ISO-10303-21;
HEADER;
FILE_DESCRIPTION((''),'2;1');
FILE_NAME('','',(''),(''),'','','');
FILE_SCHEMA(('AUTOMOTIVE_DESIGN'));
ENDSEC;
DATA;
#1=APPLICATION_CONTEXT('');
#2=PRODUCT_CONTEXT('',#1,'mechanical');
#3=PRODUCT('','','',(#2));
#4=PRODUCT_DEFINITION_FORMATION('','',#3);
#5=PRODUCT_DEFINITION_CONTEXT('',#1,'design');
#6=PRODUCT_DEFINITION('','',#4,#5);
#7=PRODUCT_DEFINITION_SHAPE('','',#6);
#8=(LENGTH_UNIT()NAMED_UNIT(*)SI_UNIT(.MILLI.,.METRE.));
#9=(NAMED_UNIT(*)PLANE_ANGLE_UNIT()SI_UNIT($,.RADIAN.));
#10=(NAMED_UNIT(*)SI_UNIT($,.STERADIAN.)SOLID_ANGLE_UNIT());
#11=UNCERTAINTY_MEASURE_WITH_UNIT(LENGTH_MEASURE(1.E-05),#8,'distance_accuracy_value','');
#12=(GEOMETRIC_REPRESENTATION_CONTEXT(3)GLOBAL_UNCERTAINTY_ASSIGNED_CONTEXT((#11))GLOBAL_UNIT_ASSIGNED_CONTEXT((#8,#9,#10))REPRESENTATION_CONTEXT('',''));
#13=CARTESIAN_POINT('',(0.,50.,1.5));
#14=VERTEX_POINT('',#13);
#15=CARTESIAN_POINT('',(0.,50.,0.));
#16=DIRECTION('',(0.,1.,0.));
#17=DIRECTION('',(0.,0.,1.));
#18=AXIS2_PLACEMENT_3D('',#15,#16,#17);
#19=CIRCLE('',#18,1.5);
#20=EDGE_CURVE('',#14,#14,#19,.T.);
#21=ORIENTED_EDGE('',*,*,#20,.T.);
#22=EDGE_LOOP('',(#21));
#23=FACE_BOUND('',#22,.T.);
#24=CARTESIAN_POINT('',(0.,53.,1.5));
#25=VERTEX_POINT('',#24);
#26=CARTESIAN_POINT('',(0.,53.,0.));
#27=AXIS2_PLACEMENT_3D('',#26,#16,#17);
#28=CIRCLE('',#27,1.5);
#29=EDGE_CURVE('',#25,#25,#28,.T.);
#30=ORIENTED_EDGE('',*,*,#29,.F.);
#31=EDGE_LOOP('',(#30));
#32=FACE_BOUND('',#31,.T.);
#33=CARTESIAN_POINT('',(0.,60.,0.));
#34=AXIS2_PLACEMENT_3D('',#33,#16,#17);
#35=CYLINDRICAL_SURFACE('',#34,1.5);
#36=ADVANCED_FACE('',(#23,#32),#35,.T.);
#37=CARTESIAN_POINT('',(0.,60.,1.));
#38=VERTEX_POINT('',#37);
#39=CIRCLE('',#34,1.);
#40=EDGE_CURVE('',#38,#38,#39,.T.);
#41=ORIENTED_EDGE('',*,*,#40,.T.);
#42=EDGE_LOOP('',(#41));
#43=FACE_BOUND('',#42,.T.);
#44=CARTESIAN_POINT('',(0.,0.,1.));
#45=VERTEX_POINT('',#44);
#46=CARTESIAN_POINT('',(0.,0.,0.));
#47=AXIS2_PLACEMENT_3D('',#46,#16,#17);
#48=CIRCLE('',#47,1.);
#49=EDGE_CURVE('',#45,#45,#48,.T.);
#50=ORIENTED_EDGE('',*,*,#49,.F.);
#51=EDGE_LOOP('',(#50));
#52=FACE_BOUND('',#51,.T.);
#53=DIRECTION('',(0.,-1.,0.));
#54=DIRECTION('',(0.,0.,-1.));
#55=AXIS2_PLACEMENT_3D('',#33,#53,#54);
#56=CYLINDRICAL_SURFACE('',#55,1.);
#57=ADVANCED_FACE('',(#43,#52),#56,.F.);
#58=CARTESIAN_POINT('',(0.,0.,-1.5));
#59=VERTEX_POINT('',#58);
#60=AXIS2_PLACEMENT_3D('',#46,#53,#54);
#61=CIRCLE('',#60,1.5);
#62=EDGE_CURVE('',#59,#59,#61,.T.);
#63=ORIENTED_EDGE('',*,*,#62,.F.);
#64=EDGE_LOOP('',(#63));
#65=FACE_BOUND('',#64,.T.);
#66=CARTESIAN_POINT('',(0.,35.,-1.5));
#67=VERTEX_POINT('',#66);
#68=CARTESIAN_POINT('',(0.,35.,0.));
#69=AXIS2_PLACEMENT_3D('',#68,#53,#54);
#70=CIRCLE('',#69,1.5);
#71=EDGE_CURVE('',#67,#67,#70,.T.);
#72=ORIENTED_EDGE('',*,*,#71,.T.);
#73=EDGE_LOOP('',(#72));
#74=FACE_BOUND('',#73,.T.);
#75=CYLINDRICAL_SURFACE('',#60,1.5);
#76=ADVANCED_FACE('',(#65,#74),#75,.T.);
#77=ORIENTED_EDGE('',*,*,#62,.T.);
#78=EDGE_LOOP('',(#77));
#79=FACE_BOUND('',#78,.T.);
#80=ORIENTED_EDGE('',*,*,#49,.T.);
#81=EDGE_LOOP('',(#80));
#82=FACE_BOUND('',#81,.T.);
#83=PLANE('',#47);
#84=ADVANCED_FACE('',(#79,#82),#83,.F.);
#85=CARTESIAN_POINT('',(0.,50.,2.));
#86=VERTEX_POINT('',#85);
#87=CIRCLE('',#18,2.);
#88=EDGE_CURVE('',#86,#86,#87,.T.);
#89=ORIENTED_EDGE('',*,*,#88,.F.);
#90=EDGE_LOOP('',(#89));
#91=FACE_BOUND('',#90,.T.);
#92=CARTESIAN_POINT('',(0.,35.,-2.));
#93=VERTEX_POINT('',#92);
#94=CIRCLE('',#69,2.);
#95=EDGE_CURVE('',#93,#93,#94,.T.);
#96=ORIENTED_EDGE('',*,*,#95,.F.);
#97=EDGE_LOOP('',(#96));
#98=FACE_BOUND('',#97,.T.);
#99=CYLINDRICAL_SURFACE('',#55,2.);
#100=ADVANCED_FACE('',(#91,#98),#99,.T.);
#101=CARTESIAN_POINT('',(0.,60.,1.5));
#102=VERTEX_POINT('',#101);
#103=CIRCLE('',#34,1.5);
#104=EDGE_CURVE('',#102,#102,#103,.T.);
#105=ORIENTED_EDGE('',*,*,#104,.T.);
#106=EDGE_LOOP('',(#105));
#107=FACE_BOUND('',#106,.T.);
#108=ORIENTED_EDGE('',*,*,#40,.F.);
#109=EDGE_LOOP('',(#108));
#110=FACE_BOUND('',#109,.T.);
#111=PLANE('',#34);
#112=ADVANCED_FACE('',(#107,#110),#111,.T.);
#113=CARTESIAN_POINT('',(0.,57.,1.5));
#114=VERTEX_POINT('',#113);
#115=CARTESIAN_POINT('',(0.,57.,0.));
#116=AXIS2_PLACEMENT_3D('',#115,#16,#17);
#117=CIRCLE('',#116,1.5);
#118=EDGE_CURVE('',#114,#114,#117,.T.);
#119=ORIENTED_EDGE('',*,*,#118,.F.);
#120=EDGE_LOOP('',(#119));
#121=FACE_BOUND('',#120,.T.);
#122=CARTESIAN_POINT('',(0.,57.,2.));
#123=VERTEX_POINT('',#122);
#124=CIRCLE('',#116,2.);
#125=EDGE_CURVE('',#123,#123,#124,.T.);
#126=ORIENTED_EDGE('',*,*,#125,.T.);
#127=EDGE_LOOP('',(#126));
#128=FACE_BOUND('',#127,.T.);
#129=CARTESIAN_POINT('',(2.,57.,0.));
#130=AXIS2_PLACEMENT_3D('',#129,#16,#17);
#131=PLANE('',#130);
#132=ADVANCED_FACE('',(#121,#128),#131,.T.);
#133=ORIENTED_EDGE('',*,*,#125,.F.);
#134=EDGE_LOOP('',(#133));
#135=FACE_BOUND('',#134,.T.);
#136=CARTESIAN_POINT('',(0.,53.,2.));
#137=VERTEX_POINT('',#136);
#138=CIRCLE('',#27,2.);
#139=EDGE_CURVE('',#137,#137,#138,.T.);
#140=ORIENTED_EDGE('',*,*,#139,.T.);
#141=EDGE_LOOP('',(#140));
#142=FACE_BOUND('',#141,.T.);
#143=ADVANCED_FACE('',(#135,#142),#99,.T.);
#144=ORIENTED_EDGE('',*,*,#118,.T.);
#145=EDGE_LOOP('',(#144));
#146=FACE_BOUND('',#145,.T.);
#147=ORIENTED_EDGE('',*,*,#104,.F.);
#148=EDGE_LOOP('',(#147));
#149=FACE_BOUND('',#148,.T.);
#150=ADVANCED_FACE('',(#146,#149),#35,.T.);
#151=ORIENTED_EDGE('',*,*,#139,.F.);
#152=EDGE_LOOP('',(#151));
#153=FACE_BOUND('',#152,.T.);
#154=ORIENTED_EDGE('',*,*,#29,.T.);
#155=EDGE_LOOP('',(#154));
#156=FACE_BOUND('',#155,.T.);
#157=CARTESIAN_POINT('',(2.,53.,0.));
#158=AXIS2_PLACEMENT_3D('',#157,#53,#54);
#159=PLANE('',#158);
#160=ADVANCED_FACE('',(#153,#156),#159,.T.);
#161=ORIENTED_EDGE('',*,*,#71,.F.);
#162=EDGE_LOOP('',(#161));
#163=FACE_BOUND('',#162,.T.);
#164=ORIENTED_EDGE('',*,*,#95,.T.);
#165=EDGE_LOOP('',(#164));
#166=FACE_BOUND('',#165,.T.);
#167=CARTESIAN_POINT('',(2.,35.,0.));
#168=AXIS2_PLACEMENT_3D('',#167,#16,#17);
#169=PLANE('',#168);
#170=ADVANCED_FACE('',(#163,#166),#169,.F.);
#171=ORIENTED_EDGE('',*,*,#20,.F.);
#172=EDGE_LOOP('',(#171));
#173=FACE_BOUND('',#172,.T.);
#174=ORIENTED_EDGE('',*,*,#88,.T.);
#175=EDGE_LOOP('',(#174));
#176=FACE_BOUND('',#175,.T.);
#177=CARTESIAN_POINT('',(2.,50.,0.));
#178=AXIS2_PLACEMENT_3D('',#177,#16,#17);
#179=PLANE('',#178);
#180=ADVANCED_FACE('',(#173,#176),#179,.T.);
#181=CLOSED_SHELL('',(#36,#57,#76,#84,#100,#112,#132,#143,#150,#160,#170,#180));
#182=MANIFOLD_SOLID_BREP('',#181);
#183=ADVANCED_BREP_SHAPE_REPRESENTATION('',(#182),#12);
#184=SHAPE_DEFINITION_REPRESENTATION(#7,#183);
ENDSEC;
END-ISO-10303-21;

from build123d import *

# Parameters (mm, degrees)
SKETCH_1_R      = 2
SKETCH_1_R_2    = 1
EXTRUDE_1_DEPTH = 60
SKETCH_2_W      = 0.5
SKETCH_2_H      = 3
SKETCH_3_W      = 0.5
SKETCH_3_H      = 35


with BuildPart() as part:
    # Эскиз1 → Бобышка-Вытянуть1 (new body)
    with BuildSketch(Plane(origin=(0, 0, 0), x_dir=(1, 0, 0), z_dir=(0, 1, 0))):
        Circle(SKETCH_1_R)
        Circle(SKETCH_1_R_2, mode=Mode.SUBTRACT)
    extrude(amount=EXTRUDE_1_DEPTH)

    # Эскиз2 → Вырез-Повернуть1 (revolve, cut)
    with BuildSketch(Plane.XY):
        with Locations((1.75, 58.5)):
            Rectangle(SKETCH_2_W, SKETCH_2_H)
        with Locations((1.75, 51.5)):
            Rectangle(SKETCH_2_W, SKETCH_2_H)
    revolve(axis=Axis((0, 60, 0), (0, -1, 0)), mode=Mode.SUBTRACT)

    # Эскиз3 → Вырез-Повернуть2 (revolve, cut)
    with BuildSketch(Plane.XY):
        with Locations((1.75, 17.5)):
            Rectangle(SKETCH_3_W, SKETCH_3_H)
    revolve(axis=Axis((0, 0, 0), (0, 1, 0)), mode=Mode.SUBTRACT)


solid = part.part
